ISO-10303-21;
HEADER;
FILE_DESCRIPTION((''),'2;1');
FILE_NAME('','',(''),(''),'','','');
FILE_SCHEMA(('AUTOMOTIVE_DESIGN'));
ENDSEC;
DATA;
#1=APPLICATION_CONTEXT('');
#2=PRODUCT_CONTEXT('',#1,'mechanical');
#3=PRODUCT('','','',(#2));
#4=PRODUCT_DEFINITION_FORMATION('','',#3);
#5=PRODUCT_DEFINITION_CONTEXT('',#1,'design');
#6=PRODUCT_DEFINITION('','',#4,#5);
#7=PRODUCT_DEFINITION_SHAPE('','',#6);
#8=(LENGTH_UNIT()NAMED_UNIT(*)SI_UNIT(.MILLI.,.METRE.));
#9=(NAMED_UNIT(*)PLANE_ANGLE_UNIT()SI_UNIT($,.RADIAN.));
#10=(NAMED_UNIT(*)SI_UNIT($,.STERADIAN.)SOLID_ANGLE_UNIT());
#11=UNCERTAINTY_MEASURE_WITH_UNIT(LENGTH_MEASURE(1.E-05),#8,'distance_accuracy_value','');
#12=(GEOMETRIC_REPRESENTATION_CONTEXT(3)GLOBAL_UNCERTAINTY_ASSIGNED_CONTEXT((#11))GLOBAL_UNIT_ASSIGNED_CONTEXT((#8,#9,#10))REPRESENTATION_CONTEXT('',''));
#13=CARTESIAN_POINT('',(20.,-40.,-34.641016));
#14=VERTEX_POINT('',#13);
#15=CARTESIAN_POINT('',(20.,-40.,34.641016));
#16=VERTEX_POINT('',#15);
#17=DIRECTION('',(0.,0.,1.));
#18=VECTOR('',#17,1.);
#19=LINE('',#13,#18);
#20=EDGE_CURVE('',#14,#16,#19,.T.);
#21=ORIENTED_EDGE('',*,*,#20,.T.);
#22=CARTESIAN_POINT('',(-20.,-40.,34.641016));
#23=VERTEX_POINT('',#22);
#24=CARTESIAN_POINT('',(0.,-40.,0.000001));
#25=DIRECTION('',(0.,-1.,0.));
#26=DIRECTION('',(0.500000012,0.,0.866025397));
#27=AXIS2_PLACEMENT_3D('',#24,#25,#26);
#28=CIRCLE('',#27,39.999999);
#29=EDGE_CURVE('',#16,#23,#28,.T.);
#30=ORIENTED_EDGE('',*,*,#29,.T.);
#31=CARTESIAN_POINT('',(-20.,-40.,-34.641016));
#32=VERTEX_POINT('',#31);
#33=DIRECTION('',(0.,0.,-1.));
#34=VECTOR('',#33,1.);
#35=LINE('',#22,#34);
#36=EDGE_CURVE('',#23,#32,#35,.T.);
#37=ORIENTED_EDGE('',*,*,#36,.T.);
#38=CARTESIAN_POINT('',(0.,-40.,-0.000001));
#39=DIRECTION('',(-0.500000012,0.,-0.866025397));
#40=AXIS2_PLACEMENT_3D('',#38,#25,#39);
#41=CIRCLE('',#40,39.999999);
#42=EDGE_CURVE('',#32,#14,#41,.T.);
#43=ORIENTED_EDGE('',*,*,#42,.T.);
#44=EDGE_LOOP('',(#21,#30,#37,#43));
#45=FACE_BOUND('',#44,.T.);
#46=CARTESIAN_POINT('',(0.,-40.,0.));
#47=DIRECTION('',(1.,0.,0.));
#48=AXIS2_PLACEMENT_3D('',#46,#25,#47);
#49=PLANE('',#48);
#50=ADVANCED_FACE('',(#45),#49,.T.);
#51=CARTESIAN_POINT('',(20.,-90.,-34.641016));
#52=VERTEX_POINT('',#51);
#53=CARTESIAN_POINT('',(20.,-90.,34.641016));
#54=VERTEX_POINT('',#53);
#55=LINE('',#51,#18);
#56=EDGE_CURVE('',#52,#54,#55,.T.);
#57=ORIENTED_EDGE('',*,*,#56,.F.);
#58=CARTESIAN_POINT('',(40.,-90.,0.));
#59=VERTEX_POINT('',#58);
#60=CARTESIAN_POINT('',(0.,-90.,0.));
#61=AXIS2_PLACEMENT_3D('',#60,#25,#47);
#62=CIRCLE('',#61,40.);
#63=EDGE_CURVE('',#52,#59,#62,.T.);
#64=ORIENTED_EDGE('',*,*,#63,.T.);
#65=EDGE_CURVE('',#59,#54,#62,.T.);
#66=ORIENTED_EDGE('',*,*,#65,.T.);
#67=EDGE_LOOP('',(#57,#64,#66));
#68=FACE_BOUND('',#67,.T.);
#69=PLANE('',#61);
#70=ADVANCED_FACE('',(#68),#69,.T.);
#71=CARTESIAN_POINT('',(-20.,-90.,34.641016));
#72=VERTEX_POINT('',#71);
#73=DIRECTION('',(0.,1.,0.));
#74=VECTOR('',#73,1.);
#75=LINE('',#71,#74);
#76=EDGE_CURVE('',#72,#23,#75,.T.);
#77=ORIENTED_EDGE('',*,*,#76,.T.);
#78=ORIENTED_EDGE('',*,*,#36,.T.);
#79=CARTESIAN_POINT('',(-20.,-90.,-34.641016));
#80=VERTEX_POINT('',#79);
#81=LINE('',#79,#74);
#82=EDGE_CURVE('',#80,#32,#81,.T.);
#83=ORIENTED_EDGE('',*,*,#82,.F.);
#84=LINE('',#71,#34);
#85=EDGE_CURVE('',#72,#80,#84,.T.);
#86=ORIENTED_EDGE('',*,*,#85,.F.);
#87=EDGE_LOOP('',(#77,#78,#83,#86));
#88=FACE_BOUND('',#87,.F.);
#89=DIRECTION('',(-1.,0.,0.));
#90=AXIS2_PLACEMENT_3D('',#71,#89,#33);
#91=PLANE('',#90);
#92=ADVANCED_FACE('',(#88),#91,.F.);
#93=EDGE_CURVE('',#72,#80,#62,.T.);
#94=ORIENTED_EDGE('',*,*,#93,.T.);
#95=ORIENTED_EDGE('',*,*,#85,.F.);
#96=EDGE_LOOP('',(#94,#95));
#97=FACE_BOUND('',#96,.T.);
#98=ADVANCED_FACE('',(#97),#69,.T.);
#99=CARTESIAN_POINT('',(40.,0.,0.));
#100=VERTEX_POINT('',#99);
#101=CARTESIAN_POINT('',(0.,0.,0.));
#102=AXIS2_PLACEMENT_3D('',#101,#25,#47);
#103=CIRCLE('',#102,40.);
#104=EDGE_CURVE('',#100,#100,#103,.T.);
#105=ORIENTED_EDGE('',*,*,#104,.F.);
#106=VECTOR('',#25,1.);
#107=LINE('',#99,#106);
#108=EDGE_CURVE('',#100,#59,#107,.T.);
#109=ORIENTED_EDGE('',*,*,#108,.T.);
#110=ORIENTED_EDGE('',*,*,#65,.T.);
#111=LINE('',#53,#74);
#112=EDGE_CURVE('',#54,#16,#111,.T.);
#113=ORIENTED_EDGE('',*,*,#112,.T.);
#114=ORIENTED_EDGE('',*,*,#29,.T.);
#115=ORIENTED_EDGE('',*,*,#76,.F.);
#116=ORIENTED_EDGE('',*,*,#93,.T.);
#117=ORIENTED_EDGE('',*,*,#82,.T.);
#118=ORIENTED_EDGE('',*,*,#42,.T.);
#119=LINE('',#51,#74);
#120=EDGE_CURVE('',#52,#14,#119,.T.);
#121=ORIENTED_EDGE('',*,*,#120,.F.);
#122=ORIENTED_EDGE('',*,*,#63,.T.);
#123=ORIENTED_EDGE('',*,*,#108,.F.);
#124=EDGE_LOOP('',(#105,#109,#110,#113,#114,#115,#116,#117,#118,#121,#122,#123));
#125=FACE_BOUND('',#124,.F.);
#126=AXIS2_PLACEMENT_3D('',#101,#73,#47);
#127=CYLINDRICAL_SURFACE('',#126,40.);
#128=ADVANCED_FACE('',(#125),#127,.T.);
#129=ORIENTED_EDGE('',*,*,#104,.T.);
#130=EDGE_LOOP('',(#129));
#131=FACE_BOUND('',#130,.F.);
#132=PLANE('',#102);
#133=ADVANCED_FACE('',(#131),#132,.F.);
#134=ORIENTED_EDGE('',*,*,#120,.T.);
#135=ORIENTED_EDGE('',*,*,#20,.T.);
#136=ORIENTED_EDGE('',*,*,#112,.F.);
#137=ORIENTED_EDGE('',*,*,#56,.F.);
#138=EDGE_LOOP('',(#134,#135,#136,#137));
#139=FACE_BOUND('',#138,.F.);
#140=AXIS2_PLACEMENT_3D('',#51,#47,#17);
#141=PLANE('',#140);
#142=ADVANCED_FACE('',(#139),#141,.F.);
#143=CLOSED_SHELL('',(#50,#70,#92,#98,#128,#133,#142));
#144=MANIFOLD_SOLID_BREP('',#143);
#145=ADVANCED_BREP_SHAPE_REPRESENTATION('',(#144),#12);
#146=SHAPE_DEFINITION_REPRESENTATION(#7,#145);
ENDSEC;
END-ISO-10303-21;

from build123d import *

# Parameters (mm, degrees)
F0_R     = 40
F1_DEPTH = 90
F3_DEPTH = 50


with BuildPart() as f1:
    # F0 (on Front) → F1 (new body)
    with BuildSketch(Plane.XZ):
        Circle(F0_R)
    extrude(amount=F1_DEPTH)

    # F2 (on face) → F3 (cut)
    with BuildSketch(Plane.XZ.offset(90)):
        with BuildLine():
            Line((-20, 34.641016), (-20, 0))
            Line((-20, 0), (-20, -34.641016))
            ThreePointArc((-20, -34.641016), (0, -40), (20, -34.641016))
            Line((20, -34.641016), (20, 0))
            Line((20, 0), (20, 34.641016))
            ThreePointArc((20, 34.641016), (0, 40), (-20, 34.641016))
        make_face()
    extrude(amount=-F3_DEPTH, mode=Mode.SUBTRACT)


solid = f1.part
